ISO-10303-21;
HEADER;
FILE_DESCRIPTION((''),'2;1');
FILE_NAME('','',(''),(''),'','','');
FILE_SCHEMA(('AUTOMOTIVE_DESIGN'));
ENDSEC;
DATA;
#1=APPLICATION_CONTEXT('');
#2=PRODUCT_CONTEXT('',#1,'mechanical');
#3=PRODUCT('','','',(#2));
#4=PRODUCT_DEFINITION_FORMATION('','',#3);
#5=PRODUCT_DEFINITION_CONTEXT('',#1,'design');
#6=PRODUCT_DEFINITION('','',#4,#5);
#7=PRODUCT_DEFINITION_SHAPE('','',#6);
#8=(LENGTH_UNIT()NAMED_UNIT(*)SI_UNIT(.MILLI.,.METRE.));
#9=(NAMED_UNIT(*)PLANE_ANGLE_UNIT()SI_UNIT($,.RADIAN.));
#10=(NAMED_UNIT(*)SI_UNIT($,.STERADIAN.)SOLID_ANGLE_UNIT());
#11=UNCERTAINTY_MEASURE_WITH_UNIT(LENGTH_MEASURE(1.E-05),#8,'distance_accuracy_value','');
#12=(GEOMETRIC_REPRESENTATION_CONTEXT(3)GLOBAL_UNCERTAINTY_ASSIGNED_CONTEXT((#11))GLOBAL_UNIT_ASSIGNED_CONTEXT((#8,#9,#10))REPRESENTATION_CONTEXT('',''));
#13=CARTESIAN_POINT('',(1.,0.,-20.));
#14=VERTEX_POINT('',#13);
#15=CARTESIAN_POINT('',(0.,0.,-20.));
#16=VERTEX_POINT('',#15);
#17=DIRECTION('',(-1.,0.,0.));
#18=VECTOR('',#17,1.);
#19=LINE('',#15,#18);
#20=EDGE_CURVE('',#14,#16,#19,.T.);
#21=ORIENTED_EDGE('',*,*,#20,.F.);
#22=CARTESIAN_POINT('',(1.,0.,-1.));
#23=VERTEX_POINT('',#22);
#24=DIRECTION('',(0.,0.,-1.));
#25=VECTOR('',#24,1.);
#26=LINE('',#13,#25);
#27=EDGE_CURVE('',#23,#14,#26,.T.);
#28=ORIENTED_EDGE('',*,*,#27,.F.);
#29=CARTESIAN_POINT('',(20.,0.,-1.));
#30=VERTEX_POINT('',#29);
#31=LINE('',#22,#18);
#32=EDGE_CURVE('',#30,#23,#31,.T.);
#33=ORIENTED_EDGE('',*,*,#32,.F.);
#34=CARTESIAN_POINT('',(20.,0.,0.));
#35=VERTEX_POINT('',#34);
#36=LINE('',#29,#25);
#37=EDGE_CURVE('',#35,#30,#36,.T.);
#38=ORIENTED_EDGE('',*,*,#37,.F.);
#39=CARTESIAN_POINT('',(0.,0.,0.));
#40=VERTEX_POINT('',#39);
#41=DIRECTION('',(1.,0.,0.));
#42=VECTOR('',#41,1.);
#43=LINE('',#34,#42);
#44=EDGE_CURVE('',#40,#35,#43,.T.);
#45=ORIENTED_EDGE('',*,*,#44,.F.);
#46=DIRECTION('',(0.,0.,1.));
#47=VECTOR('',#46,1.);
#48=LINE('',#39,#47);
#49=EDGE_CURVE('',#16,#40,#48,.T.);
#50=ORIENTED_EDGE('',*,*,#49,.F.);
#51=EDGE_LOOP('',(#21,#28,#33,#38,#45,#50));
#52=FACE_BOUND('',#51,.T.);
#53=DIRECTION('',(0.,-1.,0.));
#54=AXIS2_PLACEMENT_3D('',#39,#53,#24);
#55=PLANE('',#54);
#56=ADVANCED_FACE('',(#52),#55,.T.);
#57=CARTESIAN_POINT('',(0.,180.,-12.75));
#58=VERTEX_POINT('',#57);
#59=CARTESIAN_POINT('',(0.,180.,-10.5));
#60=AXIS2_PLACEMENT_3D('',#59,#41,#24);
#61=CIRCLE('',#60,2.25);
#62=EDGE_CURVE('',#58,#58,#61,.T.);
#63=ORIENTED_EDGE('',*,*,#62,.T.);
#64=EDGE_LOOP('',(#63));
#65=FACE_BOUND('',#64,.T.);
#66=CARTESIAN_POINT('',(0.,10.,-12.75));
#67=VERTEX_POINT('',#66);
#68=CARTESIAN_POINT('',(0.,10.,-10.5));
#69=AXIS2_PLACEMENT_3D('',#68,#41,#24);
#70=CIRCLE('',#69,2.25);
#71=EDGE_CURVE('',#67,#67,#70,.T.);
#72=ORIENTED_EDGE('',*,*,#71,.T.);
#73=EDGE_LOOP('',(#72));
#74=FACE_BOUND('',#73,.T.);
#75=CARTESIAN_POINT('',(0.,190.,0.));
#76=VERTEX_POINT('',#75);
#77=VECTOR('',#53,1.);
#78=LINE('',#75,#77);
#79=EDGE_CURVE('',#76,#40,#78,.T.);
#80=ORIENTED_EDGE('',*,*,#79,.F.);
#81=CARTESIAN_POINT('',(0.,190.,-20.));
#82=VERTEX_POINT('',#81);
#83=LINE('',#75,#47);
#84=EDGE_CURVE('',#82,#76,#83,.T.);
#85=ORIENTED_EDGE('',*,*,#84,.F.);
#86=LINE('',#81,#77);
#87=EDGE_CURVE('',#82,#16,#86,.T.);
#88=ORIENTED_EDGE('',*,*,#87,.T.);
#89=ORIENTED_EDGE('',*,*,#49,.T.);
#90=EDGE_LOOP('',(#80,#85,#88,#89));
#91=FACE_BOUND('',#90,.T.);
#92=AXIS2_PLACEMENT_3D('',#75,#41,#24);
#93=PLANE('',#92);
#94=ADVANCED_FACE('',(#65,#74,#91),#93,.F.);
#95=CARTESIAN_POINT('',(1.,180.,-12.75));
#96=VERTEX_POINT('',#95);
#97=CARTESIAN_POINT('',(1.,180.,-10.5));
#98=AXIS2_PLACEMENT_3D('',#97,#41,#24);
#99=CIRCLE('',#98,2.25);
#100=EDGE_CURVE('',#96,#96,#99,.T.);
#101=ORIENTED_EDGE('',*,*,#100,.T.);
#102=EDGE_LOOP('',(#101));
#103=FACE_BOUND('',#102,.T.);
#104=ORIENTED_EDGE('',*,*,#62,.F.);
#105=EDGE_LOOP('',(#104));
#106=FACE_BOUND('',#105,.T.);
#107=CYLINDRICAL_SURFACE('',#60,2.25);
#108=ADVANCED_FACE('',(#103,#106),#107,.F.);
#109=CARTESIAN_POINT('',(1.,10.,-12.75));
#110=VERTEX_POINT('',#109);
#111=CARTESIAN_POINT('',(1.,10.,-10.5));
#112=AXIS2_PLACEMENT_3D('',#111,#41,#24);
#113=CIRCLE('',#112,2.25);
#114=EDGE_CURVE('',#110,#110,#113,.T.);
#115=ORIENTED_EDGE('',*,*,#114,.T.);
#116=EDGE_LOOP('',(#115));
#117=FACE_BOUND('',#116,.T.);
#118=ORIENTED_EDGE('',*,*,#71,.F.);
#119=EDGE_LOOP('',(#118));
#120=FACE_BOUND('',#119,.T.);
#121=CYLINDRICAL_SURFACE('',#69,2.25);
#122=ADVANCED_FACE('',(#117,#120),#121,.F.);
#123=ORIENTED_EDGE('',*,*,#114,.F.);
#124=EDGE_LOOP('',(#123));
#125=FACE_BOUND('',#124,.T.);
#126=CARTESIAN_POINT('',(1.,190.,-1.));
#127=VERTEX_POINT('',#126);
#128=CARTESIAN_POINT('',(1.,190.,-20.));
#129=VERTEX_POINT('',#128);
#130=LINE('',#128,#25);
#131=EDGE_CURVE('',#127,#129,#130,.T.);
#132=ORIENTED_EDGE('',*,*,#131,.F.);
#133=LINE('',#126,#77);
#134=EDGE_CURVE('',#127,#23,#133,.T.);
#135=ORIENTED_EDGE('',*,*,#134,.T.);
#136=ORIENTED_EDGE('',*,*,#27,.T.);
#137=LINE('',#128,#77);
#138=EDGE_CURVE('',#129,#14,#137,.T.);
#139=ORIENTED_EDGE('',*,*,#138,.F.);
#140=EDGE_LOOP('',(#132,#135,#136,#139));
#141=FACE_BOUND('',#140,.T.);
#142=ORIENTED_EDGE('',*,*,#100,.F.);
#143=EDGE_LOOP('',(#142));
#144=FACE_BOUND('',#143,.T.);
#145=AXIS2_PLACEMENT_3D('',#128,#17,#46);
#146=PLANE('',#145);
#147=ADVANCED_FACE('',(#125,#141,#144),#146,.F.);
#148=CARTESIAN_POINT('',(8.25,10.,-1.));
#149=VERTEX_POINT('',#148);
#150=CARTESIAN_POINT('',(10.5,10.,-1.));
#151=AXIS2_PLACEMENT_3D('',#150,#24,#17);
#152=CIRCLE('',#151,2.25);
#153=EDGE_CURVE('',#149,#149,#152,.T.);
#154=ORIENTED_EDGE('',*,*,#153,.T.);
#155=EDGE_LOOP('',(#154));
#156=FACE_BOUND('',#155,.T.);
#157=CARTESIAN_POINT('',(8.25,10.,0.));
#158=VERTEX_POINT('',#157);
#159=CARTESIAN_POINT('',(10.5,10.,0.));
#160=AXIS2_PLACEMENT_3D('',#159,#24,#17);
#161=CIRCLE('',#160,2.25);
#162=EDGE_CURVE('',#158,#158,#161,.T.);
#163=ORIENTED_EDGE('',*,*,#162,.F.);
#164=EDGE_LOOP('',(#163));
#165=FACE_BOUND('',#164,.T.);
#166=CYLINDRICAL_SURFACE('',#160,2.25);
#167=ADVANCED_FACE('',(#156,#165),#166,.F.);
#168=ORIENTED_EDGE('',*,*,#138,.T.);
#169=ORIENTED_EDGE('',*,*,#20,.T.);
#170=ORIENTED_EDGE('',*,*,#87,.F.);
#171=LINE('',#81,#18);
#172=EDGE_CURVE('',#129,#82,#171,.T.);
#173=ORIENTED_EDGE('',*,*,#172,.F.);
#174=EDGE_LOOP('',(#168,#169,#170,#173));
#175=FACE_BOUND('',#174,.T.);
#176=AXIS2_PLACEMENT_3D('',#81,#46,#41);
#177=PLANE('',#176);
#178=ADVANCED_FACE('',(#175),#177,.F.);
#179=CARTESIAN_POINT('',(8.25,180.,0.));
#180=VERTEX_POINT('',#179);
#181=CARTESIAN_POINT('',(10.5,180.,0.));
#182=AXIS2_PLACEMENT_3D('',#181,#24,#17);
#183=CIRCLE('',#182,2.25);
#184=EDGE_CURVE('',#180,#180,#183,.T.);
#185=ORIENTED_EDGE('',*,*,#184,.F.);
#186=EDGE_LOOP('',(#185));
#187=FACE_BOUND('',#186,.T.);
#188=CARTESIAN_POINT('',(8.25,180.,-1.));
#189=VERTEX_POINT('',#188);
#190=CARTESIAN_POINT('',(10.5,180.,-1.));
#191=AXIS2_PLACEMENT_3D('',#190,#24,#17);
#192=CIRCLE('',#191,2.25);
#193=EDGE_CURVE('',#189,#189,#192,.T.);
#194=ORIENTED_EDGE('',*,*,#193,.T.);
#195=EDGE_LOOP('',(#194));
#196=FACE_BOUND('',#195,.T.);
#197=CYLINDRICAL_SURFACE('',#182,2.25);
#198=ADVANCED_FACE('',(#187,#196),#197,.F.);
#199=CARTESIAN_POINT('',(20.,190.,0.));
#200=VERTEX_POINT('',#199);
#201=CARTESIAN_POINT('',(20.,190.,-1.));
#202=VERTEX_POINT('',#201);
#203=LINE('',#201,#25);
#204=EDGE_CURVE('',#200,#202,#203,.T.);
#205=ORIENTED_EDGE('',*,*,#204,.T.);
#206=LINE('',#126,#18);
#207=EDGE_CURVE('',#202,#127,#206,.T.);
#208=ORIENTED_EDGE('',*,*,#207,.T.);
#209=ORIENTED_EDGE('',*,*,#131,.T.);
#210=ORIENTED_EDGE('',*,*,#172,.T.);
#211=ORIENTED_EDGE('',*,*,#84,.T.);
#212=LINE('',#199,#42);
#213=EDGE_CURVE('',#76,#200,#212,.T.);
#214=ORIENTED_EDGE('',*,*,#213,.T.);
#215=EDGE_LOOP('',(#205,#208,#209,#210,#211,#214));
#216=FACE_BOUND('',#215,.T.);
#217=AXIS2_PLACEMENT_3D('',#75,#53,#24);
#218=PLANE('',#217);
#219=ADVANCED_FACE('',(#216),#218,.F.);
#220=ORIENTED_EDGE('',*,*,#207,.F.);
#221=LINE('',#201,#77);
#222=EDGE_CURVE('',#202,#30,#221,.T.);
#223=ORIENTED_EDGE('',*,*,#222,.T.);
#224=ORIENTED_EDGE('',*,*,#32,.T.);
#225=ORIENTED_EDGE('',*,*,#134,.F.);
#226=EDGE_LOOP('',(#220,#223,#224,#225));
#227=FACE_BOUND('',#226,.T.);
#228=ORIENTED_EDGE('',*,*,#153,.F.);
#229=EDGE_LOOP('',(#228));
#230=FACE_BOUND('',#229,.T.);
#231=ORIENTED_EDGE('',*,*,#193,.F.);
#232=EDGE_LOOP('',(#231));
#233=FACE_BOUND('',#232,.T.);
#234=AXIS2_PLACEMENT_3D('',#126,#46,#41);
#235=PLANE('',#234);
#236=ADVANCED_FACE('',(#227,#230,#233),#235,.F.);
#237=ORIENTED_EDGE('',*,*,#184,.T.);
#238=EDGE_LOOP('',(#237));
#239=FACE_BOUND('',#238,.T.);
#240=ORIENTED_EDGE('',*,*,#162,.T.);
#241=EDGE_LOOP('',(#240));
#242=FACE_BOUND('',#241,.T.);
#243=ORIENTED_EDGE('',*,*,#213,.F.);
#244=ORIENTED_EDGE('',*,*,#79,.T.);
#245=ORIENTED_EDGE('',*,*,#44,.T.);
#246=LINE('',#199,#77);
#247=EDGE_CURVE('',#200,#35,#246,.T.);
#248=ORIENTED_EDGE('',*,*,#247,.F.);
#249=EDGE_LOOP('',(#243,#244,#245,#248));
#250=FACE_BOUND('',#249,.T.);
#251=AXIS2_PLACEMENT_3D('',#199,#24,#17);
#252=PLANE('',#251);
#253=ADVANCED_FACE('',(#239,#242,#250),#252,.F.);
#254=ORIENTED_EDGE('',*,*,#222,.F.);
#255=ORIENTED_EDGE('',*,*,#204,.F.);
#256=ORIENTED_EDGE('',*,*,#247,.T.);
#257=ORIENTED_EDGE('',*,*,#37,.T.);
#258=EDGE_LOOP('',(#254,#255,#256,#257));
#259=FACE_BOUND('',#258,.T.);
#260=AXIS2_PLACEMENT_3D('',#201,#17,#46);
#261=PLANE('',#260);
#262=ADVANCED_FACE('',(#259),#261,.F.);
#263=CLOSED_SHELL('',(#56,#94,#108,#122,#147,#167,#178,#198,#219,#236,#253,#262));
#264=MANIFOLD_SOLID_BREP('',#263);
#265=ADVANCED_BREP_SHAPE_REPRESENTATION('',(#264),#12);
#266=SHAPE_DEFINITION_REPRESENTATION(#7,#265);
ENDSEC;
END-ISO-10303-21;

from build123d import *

# Parameters (mm, degrees)
EXTRUDE_1_DEPTH     = 190
SKETCH_2_R          = 2.25
CUT_EXTRUDE_1_DEPTH = 2
SKETCH_3_R          = 2.25
CUT_EXTRUDE_2_DEPTH = 2


with BuildPart() as part:
    # Эскиз1 → Бобышка-Вытянуть1 (new body)
    with BuildSketch(Plane(origin=(0, 0, 0), x_dir=(1, 0, 0), z_dir=(0, 1, 0))):
        Polygon((0, 0), (0, 20), (1, 20), (1, 1), (20, 1), (20, 0), align=None)
    extrude(amount=EXTRUDE_1_DEPTH)

    # Эскиз2 → Вырез-Вытянуть1 (cut, through all)
    with BuildSketch(Plane(origin=(1, 0, 0), x_dir=(0, 0, -1), z_dir=(1, 0, 0))):
        with Locations((10.5, 10)):
            Circle(SKETCH_2_R)
        with Locations((10.5, 180)):
            Circle(SKETCH_2_R)
    extrude(amount=-CUT_EXTRUDE_1_DEPTH, mode=Mode.SUBTRACT)

    # Эскиз3 → Вырез-Вытянуть2 (cut, through all)
    with BuildSketch(Plane(origin=(0, 0, -1), x_dir=(-1, 0, 0), z_dir=(0, 0, -1))):
        with Locations((-10.5, 180)):
            Circle(SKETCH_3_R)
        with Locations((-10.5, 10)):
            Circle(SKETCH_3_R)
    extrude(amount=-CUT_EXTRUDE_2_DEPTH, mode=Mode.SUBTRACT)


solid = part.part
